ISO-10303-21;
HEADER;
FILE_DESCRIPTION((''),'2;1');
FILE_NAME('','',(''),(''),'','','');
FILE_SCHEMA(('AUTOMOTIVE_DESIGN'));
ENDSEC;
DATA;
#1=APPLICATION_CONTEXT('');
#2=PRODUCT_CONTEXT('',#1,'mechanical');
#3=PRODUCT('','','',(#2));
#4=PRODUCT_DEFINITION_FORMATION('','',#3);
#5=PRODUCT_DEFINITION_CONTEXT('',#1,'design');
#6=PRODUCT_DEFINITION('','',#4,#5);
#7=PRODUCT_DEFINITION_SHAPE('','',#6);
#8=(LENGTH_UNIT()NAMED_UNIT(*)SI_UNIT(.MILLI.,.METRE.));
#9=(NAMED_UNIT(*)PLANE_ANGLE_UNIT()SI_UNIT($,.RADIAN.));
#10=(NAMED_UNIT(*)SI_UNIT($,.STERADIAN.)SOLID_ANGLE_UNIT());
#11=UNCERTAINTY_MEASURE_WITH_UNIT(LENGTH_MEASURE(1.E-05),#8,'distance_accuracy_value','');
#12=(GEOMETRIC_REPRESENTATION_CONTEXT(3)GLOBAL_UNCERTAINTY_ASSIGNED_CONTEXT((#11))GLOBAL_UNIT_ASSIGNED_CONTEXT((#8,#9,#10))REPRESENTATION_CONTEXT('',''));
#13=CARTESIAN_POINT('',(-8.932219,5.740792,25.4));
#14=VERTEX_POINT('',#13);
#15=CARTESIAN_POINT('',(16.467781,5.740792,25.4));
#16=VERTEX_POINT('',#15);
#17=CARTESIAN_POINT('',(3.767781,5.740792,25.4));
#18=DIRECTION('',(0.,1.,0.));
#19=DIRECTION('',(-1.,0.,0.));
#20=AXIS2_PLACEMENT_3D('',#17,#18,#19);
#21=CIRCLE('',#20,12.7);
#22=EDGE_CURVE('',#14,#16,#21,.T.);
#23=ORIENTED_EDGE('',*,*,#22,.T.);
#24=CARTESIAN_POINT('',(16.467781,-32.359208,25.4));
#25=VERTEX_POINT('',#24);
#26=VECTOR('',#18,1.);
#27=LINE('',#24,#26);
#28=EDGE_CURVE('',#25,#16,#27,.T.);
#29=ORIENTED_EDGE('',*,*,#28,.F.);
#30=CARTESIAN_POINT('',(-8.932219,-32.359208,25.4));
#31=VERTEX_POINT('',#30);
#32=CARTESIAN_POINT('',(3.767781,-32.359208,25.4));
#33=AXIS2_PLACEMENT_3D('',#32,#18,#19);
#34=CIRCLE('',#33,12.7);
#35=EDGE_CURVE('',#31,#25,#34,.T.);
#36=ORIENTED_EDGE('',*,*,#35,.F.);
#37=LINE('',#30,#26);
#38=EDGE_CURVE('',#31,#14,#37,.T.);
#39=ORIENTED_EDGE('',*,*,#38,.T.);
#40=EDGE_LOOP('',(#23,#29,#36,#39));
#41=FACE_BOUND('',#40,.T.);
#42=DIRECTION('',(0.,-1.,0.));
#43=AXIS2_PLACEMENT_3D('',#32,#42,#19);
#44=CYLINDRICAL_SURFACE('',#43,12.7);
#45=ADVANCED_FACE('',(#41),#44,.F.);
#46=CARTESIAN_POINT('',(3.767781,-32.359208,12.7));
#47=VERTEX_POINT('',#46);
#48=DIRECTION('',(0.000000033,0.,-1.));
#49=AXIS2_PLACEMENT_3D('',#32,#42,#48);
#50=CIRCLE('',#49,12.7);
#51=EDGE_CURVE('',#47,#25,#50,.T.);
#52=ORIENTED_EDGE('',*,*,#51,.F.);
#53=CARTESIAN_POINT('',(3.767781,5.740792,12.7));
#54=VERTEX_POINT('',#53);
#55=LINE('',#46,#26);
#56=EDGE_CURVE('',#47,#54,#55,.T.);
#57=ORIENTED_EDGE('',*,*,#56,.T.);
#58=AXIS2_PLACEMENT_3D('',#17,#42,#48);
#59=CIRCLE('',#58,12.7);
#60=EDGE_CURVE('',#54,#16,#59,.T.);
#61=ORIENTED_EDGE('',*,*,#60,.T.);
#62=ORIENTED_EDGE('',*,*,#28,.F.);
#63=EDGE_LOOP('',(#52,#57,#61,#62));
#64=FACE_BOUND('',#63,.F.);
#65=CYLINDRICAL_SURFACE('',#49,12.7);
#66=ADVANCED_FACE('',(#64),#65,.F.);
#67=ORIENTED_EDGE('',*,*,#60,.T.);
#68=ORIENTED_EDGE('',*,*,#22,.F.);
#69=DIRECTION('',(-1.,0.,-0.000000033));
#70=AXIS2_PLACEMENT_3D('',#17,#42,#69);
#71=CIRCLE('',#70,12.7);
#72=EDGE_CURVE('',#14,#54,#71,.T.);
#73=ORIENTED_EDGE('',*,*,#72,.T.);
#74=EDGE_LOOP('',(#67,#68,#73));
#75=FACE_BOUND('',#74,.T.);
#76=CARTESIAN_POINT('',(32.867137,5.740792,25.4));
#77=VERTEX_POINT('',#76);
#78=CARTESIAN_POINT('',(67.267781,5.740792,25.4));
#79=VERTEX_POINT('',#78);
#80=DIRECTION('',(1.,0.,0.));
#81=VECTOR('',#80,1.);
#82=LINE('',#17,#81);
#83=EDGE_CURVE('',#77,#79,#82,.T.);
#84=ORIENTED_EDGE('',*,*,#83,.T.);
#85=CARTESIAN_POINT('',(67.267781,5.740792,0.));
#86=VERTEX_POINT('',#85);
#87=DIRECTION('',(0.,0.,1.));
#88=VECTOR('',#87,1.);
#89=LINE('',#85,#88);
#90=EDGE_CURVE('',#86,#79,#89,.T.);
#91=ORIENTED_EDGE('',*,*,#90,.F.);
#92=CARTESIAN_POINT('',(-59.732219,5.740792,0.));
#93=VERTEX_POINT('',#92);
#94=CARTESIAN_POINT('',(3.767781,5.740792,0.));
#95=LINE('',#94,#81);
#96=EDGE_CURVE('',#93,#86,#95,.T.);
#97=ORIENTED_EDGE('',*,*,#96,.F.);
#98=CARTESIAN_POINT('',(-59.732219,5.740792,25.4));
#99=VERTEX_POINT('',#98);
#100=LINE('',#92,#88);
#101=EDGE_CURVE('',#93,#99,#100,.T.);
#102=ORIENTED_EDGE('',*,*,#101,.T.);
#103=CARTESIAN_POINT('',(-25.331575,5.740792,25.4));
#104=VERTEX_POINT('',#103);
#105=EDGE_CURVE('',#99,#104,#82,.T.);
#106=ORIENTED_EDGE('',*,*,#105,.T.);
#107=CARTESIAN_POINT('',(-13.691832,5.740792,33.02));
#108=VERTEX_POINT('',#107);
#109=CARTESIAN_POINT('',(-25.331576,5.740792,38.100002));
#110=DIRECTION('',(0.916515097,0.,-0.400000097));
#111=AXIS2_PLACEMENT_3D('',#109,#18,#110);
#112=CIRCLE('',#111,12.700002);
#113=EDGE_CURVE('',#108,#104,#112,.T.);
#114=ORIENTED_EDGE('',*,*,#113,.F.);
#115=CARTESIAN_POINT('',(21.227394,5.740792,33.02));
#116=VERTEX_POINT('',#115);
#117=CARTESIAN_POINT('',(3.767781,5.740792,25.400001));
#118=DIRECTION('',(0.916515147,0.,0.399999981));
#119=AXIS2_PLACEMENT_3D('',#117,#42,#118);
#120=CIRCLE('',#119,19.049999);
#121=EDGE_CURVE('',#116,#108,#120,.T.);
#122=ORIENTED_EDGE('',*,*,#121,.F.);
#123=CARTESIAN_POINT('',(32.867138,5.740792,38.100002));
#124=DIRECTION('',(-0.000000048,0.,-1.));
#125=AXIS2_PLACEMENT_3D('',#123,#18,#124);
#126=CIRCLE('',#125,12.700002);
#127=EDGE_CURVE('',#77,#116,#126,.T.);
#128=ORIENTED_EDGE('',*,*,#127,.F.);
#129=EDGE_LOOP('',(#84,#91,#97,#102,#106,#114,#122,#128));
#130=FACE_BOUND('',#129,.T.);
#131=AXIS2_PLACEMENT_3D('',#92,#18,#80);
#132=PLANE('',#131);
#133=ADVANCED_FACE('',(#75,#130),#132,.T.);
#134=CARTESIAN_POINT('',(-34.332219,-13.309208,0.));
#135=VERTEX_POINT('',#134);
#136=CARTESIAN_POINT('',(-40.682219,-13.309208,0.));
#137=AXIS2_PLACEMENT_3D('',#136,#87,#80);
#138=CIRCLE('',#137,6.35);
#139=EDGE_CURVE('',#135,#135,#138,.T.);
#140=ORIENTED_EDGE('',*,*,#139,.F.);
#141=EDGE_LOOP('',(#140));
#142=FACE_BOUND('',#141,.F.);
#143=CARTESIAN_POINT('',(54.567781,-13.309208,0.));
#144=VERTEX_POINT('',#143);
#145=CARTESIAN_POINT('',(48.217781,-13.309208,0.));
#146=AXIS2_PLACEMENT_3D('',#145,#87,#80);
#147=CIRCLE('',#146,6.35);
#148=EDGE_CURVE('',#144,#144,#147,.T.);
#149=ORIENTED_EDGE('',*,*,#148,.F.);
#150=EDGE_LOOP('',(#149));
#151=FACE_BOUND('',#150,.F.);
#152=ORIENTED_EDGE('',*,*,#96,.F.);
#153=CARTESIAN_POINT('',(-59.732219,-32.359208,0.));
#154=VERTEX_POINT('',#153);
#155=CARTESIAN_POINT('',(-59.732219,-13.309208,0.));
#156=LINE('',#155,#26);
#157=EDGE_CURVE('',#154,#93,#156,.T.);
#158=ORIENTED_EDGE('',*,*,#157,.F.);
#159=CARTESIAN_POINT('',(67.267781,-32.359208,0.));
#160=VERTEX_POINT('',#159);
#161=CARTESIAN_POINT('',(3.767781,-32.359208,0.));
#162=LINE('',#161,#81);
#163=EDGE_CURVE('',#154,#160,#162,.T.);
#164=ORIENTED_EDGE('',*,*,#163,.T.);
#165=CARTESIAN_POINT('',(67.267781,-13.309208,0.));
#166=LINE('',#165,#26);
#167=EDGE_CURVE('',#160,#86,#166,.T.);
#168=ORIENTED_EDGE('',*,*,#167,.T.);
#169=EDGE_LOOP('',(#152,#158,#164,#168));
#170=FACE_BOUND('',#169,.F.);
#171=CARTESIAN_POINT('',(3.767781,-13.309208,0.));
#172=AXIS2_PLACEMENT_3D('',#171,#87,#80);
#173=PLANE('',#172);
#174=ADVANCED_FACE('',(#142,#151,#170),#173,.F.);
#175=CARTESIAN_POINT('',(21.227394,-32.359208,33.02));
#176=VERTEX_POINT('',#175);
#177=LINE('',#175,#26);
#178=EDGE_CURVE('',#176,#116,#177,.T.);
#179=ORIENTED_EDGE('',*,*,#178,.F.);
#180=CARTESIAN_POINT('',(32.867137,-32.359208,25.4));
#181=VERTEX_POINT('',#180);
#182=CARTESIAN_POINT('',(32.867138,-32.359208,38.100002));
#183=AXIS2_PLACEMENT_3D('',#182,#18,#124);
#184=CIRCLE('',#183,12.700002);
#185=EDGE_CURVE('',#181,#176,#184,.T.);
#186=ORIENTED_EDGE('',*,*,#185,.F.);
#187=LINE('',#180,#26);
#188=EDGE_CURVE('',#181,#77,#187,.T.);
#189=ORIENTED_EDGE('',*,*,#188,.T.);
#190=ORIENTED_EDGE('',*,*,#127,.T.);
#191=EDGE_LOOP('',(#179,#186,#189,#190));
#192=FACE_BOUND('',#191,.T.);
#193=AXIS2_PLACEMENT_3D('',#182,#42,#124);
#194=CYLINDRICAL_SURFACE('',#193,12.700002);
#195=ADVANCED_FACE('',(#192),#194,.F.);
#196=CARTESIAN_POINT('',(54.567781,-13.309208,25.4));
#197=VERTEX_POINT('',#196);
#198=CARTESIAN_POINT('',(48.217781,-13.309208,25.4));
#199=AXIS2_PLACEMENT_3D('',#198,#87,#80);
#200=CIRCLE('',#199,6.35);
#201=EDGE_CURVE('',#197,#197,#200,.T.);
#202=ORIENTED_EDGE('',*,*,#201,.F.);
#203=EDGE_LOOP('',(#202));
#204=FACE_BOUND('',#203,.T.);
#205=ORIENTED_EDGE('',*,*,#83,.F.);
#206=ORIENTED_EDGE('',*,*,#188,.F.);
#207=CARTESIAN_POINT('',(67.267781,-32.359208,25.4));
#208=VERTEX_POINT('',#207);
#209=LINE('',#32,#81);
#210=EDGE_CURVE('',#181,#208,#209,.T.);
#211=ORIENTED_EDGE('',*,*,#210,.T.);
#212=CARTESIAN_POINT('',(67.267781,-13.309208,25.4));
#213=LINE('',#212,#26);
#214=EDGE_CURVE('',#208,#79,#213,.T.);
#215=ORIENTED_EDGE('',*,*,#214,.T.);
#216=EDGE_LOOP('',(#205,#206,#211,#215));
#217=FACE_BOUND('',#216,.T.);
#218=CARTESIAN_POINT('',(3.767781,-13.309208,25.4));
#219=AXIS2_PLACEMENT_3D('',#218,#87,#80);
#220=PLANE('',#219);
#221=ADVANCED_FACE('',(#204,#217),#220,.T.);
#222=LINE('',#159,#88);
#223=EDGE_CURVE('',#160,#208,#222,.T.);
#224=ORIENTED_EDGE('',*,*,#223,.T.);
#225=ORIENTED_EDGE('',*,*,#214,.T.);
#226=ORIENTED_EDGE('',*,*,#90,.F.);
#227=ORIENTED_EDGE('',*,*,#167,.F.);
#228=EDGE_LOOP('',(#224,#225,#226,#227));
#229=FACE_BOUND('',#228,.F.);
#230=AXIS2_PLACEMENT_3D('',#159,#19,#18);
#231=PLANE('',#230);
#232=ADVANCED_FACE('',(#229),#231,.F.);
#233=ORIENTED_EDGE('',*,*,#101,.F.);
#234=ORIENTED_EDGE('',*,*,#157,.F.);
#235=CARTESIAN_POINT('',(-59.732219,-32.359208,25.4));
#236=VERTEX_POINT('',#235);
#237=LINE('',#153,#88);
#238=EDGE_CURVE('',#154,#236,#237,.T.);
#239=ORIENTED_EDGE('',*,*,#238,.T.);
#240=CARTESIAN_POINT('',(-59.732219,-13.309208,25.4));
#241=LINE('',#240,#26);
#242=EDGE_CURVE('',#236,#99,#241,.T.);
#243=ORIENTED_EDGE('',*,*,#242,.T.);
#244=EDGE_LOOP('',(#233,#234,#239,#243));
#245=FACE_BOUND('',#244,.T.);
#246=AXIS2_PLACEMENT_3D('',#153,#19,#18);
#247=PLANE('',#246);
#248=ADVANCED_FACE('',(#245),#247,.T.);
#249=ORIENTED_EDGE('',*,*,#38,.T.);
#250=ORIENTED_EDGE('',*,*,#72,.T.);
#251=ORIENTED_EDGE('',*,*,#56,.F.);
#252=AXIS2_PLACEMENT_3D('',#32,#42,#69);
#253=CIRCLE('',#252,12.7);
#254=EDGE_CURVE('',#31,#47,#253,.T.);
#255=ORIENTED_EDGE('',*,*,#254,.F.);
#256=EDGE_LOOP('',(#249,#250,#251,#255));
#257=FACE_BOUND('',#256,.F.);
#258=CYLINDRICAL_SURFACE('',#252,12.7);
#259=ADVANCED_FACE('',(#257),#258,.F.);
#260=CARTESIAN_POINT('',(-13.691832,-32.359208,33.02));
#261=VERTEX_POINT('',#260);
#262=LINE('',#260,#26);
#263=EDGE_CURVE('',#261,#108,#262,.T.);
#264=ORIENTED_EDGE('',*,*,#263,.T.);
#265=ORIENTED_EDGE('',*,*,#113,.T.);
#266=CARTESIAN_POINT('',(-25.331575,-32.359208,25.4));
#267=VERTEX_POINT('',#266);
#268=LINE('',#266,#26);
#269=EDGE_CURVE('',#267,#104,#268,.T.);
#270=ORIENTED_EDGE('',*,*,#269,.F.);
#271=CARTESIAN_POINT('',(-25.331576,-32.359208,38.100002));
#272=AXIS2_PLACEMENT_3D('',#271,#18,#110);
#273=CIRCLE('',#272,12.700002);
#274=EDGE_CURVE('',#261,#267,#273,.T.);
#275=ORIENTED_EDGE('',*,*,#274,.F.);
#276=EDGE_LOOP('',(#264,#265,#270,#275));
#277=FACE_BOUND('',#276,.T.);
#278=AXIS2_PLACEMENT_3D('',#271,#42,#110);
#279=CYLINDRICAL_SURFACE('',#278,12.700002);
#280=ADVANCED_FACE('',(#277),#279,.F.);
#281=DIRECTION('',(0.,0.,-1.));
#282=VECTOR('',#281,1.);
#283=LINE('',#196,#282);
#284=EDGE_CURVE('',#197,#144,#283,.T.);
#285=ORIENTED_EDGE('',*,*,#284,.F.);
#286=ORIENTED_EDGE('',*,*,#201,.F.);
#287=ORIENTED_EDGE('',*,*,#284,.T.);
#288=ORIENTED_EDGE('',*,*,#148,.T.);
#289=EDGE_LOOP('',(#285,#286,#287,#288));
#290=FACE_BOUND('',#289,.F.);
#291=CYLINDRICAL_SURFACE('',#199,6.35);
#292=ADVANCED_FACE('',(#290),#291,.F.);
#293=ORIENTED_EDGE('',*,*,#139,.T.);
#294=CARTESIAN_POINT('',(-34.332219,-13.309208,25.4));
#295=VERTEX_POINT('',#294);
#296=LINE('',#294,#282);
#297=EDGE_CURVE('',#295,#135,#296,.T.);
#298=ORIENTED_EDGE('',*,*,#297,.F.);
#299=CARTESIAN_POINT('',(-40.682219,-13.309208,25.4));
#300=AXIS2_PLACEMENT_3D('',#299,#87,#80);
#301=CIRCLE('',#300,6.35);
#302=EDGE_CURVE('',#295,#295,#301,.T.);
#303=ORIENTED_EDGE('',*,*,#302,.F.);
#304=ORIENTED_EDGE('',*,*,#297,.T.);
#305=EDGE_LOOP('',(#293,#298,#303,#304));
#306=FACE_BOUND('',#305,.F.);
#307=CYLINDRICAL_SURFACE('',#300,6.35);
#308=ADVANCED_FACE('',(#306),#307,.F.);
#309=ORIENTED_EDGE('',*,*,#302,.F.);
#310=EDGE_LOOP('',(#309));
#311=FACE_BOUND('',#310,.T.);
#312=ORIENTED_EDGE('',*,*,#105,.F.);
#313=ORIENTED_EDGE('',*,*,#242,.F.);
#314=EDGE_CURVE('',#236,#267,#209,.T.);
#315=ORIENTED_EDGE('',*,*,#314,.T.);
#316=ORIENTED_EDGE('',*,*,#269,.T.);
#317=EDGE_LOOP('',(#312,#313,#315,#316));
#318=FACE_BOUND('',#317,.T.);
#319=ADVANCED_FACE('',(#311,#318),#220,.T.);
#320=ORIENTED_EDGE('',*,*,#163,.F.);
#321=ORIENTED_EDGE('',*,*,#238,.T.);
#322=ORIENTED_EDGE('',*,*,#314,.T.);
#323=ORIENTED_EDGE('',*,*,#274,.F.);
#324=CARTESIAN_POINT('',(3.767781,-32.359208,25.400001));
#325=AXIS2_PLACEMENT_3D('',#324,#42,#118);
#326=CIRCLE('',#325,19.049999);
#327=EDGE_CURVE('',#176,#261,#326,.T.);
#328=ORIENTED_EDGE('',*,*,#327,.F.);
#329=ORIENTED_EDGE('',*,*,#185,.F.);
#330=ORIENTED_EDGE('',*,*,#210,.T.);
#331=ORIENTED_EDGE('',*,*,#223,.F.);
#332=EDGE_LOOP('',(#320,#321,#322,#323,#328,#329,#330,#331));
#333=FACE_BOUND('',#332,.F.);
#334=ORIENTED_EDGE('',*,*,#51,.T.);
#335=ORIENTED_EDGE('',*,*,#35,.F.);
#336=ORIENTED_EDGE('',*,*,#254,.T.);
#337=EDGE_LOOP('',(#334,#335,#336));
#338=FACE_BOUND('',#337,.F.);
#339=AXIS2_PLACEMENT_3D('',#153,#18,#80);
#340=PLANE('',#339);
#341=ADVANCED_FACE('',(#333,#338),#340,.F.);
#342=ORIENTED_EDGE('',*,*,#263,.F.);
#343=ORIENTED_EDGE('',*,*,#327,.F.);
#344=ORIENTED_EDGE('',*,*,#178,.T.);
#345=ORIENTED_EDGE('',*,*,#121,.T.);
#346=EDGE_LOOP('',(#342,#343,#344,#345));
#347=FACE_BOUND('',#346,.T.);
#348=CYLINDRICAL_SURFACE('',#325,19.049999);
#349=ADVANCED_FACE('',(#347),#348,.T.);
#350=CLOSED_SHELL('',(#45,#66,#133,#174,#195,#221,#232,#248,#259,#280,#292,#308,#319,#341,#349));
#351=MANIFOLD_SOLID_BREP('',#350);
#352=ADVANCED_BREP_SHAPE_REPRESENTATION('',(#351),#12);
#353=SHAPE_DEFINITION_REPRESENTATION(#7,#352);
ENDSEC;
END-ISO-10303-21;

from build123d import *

# Parameters (mm, degrees)
F0_W     = 127
F0_H     = 38.1
F1_DEPTH = 25.4
F4_DEPTH = 38.1
F5_DEPTH = 38.1
F3_R     = 6.35
F6_DEPTH = 25.4


with BuildPart() as f1:
    # F0 (on Top) → F1 (new body)
    with BuildSketch(Plane.XY):
        with Locations((3.767781, -13.309208)):
            Rectangle(F0_W, F0_H)
    extrude(amount=F1_DEPTH)

    # F2 (on face) → F4 (join)
    with BuildSketch(Plane.XZ.offset(32.359208)):
        with BuildLine():
            Line((-25.331575, 25.4), (-8.932219, 25.4))
            ThreePointArc((-8.932219, 25.4), (3.767781, 38.1), (16.467781, 25.4))
            Line((16.467781, 25.4), (32.867137, 25.4))
            ThreePointArc((32.867137, 25.4), (25.91106, 27.474418), (21.227394, 33.02))
            ThreePointArc((21.227394, 33.02), (3.767781, 44.45), (-13.691832, 33.02))
            ThreePointArc((-13.691832, 33.02), (-18.375498, 27.474418), (-25.331575, 25.4))
        make_face()
    extrude(amount=-F4_DEPTH)

    # F2 (on face) → F5 (cut)
    with BuildSketch(Plane.XZ.offset(32.359208)):
        with BuildLine():
            ThreePointArc((-8.932219, 25.4), (-5.212475, 16.419744), (3.767781, 12.7))
            Line((3.767781, 12.7), (3.767781, 25.4))
            Line((3.767781, 25.4), (-8.932219, 25.4))
        make_face()
        with BuildLine():
            Line((3.767781, 25.4), (3.767781, 12.7))
            ThreePointArc((3.767781, 12.7), (12.748037, 16.419744), (16.467781, 25.4))
            Line((16.467781, 25.4), (3.767781, 25.4))
        make_face()
    extrude(amount=-F5_DEPTH, mode=Mode.SUBTRACT)

    # F3 (on face) → F6 (cut)
    with BuildSketch(Plane.XY.offset(25.4)):
        with Locations((-40.682219, -13.309208)):
            Circle(F3_R)
        with Locations((48.217781, -13.309208)):
            Circle(F3_R)
    extrude(amount=-F6_DEPTH, mode=Mode.SUBTRACT)


solid = f1.part
